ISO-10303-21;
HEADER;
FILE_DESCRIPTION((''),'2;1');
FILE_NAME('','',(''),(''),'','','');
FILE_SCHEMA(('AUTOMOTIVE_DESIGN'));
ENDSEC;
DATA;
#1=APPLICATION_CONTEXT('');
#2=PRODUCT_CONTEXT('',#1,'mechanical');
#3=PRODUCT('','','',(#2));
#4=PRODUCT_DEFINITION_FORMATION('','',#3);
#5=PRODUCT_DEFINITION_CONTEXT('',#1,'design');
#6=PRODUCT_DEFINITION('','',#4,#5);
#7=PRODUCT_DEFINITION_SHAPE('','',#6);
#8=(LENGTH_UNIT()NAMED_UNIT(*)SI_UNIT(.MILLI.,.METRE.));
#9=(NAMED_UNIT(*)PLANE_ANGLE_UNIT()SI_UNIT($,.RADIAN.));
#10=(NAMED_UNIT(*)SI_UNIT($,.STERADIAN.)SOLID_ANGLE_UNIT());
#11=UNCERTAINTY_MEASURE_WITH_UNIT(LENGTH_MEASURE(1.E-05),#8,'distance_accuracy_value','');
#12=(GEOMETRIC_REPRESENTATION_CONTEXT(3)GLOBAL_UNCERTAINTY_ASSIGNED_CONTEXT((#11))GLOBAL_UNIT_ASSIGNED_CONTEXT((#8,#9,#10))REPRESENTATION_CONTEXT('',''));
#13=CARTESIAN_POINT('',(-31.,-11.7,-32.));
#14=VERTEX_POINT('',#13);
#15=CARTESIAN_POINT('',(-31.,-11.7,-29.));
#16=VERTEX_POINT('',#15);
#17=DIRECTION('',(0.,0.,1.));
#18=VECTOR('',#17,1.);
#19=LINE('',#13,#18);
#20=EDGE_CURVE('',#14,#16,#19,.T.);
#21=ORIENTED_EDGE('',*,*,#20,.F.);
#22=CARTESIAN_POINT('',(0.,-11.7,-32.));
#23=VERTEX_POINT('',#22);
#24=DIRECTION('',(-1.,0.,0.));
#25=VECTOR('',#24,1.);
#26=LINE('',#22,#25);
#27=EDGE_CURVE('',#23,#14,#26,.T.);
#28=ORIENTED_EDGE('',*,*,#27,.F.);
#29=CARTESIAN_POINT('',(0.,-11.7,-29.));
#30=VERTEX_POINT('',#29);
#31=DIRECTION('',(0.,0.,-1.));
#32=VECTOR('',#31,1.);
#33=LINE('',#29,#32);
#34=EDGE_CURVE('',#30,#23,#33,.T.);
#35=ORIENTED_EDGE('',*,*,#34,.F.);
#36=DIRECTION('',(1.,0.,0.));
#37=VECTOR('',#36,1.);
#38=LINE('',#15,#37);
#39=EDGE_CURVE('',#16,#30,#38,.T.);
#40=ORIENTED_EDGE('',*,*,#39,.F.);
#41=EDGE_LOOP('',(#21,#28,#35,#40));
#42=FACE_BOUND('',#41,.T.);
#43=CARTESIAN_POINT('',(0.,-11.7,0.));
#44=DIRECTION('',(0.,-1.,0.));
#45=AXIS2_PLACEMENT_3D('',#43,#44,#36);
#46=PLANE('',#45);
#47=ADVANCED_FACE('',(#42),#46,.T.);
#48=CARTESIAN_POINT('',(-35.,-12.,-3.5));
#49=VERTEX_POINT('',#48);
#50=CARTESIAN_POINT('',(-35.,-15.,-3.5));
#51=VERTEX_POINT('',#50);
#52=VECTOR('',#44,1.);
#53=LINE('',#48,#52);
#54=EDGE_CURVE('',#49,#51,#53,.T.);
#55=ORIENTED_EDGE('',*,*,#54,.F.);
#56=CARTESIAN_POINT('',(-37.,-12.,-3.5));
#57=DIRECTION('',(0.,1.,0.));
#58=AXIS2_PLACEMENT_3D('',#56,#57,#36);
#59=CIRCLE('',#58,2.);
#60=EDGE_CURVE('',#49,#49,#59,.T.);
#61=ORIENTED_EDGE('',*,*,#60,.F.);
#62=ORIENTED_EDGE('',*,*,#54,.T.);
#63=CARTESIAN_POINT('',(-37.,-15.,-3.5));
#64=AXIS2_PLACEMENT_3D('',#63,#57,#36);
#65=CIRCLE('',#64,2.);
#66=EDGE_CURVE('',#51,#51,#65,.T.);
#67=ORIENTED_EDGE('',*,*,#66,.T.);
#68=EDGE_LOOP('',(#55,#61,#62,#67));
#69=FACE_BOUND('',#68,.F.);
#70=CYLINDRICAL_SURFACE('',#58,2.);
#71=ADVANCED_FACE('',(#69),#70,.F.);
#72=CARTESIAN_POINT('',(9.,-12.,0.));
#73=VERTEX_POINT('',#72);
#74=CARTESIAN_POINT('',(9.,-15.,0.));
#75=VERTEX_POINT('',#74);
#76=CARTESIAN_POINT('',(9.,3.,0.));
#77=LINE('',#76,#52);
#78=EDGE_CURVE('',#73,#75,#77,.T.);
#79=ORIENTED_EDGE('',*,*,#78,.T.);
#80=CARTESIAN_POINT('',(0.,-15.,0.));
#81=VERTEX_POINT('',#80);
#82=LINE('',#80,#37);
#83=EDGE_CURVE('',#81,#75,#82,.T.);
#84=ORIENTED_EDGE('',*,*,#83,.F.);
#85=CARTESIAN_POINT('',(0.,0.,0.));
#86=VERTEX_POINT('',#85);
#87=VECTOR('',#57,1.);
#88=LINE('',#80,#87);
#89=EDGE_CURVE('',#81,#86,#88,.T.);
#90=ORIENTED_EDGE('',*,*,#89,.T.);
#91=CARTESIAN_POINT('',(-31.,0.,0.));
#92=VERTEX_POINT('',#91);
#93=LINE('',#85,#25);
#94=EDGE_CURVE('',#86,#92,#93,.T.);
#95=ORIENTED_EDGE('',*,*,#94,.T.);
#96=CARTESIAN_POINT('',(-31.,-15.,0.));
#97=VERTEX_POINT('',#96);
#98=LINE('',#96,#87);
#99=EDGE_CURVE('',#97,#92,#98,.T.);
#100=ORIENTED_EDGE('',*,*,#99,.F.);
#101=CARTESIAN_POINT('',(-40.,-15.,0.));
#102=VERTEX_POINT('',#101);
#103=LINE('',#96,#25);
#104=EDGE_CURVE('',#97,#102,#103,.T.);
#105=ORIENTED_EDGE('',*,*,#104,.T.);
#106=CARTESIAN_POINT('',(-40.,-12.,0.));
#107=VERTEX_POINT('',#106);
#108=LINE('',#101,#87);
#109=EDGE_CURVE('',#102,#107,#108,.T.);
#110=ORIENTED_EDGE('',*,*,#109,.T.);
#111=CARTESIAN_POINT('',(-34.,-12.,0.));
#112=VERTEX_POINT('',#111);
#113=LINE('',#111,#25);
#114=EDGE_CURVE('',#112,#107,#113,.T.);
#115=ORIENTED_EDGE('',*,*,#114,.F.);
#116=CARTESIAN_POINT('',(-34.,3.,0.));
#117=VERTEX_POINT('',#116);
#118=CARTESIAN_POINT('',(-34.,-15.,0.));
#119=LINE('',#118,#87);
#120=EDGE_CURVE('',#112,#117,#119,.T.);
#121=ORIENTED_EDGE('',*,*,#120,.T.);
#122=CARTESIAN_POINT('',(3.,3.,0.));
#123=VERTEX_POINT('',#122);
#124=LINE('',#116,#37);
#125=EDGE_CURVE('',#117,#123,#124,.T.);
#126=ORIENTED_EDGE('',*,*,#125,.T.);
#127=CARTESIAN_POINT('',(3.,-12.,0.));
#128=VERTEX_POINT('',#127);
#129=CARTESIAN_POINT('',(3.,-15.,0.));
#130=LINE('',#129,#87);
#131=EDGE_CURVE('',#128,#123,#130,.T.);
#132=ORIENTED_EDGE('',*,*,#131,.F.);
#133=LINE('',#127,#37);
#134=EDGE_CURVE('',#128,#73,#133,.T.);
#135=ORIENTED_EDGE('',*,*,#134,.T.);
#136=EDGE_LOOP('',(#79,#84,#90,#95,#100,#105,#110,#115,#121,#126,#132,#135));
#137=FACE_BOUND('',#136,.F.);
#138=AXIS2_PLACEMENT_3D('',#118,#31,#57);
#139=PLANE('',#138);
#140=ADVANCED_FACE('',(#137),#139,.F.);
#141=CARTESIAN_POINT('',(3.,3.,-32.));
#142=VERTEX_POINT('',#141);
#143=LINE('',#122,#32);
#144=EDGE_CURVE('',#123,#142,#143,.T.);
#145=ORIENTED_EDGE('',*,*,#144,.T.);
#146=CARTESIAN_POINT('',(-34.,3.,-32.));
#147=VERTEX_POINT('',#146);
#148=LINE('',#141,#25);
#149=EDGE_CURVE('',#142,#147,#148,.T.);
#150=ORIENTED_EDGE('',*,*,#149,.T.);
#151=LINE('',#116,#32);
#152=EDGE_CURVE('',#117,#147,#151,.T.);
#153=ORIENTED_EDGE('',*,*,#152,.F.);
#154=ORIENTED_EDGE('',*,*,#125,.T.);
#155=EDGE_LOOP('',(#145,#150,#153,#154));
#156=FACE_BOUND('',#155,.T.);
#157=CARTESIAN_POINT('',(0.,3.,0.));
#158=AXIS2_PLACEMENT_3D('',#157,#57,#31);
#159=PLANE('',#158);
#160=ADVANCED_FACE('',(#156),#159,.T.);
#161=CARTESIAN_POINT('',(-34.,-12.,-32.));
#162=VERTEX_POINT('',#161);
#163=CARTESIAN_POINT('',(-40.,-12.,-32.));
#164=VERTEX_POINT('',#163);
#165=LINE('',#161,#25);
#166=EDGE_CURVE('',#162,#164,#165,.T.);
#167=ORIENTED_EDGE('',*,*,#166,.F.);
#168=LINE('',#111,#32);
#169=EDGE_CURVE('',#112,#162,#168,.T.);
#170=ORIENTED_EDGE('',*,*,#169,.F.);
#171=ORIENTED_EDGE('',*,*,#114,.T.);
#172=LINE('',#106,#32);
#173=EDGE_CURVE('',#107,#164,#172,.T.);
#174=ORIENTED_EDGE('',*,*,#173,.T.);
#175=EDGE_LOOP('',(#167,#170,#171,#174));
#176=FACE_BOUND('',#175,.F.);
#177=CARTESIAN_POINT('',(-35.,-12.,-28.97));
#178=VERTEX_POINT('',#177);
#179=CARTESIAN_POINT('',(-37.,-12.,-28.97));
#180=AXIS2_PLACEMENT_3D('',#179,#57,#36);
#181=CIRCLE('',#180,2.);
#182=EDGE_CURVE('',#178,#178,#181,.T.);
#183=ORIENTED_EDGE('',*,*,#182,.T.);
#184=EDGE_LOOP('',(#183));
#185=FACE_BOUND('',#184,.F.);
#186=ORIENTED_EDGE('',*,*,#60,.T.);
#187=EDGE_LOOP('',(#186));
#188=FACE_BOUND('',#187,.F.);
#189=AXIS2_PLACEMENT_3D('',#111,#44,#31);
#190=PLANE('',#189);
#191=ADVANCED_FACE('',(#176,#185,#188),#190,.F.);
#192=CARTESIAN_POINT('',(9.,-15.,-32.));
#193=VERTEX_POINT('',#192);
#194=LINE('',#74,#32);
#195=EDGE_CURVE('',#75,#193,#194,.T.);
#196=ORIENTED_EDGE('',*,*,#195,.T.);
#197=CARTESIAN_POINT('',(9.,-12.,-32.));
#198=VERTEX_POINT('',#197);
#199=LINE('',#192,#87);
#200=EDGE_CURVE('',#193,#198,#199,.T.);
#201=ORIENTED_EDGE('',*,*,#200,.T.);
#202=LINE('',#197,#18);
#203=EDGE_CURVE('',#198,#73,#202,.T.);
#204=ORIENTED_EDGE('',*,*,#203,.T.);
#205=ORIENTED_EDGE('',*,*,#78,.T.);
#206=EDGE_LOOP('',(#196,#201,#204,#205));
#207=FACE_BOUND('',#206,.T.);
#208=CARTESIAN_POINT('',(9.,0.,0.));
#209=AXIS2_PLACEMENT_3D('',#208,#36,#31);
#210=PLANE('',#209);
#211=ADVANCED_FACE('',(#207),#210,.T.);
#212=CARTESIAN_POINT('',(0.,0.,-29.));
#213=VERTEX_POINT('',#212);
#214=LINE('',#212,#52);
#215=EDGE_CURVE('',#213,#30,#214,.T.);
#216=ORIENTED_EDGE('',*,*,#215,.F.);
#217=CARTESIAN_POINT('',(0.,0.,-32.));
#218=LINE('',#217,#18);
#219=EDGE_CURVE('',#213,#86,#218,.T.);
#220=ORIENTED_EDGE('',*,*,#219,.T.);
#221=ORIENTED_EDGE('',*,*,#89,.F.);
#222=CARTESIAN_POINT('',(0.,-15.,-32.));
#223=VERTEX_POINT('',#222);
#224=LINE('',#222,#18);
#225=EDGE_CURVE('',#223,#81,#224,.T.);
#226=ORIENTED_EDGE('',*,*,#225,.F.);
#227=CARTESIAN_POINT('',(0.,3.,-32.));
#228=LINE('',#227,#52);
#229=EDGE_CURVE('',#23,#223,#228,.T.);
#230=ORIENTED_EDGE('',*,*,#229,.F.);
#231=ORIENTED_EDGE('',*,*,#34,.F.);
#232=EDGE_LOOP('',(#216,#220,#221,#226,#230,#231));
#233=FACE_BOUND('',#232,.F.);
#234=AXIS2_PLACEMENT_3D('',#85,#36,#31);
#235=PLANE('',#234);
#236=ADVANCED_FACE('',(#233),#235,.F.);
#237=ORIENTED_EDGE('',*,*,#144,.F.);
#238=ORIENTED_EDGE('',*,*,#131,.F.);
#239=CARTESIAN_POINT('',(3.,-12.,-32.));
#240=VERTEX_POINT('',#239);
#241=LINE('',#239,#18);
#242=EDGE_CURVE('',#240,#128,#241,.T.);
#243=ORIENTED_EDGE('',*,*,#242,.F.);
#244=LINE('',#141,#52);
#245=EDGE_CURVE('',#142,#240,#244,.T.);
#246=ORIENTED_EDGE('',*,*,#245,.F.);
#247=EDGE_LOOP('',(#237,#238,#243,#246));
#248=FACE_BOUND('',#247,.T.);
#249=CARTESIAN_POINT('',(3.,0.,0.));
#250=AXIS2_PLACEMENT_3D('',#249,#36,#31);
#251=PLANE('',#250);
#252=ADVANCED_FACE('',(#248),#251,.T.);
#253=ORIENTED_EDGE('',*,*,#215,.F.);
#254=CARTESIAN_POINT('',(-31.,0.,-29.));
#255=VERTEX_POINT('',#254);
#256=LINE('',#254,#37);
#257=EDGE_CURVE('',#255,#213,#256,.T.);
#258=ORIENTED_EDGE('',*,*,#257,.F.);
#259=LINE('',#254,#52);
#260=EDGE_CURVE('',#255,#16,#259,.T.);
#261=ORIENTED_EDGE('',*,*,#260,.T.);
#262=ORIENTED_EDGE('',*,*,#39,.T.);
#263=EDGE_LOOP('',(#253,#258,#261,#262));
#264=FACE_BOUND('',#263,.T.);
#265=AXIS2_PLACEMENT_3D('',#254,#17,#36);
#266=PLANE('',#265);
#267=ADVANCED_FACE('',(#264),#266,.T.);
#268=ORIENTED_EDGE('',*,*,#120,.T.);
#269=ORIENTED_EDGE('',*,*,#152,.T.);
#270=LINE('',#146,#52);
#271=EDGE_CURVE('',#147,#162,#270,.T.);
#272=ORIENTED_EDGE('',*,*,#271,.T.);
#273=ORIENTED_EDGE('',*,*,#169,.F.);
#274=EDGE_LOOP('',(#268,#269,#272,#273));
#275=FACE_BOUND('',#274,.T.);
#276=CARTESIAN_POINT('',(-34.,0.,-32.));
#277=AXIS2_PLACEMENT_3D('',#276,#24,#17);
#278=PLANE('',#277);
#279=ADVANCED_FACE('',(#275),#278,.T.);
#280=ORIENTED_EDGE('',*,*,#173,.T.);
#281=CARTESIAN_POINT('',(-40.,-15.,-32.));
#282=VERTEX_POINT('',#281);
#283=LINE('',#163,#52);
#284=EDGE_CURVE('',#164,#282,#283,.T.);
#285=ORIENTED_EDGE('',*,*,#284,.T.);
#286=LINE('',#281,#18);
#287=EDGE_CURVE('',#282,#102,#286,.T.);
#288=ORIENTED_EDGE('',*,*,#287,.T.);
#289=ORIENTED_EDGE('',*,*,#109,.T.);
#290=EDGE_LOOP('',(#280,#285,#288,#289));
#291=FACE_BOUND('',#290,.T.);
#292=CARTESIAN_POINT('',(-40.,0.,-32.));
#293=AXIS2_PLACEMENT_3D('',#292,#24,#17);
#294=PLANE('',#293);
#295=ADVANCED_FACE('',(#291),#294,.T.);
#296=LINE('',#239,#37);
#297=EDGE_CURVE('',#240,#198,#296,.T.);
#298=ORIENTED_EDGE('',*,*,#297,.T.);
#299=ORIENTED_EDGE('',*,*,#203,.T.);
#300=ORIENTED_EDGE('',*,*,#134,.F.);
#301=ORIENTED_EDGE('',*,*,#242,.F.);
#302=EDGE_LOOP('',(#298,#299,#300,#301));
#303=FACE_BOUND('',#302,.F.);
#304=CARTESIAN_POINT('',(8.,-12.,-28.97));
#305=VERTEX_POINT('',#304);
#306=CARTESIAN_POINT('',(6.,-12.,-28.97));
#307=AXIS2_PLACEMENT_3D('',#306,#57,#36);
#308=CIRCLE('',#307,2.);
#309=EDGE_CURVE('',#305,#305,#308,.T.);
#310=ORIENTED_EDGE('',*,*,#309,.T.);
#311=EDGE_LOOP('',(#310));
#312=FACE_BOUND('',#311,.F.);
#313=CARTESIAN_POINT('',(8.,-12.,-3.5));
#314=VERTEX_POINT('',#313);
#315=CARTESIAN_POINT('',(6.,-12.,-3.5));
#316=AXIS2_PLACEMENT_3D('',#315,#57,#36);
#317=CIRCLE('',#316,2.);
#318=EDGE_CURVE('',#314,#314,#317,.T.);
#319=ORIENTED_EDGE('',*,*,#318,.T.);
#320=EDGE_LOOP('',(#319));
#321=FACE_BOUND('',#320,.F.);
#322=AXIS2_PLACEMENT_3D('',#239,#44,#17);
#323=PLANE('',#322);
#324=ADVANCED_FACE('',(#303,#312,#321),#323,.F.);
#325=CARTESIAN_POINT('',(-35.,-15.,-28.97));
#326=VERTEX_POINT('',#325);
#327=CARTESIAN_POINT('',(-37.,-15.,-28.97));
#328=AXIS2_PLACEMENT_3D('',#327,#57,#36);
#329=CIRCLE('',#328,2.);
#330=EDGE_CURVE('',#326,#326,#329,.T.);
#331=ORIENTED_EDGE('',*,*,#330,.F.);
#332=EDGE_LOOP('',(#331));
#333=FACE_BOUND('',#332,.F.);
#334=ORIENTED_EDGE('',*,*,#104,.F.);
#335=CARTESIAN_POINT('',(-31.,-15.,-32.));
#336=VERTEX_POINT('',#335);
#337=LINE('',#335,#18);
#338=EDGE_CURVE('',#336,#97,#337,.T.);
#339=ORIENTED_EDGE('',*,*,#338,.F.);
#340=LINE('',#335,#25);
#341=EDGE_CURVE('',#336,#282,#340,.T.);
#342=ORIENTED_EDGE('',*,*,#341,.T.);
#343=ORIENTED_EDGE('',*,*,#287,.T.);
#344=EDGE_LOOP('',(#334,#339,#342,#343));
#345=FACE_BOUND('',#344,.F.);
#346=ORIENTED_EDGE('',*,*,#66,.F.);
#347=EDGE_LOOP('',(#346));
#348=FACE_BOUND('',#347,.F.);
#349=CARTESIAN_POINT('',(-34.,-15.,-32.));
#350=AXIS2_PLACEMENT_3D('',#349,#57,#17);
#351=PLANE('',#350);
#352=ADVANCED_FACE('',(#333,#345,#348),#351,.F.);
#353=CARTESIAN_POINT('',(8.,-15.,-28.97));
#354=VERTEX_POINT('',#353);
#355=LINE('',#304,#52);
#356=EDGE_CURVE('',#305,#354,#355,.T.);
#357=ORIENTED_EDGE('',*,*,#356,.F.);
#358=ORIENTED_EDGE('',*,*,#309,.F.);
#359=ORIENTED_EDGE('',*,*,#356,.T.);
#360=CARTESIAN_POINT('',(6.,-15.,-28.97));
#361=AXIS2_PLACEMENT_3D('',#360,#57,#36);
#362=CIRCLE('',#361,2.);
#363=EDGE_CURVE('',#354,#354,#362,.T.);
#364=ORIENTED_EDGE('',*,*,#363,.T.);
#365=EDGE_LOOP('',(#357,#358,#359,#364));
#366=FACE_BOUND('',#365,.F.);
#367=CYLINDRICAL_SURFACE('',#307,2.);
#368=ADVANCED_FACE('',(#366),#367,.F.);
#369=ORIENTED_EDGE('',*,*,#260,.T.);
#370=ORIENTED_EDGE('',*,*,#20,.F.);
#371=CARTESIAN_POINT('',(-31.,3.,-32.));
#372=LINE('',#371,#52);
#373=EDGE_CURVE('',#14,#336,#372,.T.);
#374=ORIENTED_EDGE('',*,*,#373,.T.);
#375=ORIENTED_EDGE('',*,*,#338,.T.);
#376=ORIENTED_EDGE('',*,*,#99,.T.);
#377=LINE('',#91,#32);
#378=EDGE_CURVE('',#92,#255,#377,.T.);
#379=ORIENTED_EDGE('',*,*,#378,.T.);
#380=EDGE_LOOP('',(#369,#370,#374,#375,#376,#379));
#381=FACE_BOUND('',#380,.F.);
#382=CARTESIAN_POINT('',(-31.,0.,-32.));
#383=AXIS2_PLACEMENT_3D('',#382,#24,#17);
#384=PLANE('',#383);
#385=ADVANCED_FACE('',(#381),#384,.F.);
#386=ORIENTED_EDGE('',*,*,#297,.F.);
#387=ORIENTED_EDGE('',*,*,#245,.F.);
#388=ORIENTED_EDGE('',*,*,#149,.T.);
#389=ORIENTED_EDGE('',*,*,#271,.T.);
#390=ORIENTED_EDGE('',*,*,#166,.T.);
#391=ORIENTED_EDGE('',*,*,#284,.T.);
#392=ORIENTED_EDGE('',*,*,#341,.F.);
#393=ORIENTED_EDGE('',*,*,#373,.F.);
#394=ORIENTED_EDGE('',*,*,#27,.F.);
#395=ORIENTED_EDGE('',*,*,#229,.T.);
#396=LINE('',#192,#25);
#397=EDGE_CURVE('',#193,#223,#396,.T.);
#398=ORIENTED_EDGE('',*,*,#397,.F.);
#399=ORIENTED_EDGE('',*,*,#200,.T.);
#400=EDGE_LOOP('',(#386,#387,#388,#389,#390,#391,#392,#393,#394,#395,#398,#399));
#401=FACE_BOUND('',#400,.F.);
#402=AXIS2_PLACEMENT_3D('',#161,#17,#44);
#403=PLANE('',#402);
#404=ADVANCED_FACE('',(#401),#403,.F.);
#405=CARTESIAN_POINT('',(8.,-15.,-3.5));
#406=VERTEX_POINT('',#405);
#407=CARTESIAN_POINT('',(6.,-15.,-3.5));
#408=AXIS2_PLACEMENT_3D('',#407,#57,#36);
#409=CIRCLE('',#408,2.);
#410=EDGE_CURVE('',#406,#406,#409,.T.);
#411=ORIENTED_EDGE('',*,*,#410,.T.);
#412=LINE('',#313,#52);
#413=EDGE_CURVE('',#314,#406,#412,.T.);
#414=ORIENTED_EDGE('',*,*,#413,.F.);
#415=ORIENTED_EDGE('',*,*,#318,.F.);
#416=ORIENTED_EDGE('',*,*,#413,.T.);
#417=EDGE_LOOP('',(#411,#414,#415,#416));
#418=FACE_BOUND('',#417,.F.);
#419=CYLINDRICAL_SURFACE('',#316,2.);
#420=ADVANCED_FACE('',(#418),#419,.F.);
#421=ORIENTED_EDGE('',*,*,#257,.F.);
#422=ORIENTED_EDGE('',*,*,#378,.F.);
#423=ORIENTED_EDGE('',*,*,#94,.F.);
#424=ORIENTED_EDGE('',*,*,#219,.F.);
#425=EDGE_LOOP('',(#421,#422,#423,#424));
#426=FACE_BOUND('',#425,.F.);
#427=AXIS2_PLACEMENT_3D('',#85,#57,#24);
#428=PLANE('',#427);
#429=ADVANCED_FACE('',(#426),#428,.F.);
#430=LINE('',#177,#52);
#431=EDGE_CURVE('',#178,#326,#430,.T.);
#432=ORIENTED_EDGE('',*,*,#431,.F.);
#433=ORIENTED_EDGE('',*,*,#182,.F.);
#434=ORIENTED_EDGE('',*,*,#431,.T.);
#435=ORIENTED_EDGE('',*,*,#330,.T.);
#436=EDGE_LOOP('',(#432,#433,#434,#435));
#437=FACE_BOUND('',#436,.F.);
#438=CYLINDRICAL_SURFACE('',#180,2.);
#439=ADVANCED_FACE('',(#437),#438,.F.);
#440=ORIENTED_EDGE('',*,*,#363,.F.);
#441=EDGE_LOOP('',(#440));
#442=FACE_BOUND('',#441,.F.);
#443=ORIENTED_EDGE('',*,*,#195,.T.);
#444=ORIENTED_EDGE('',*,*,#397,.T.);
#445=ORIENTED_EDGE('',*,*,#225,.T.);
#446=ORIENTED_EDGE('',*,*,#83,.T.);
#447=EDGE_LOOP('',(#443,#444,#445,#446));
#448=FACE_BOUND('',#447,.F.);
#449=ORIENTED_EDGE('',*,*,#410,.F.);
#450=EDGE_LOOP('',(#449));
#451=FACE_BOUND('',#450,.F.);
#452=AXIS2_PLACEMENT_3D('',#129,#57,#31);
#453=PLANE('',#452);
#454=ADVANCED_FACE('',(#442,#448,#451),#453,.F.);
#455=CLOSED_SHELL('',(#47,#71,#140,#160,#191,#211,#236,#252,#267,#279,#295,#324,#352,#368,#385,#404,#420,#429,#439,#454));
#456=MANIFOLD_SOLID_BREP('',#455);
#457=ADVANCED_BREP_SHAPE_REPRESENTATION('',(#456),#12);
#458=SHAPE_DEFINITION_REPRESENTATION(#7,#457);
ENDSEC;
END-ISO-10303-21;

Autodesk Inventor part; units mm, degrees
ref_plane "YZ Plane" through (0, 0, 0) normal (1, 0, 0) x (0, 1, 0)
ref_plane "XZ Plane" through (0, 0, 0) normal (0, 1, 0) x (-1, 0, 0)
ref_plane "XY Plane" through (0, 0, 0) normal (0, 0, 1) x (1, 0, 0)
sketch "Sketch1" plane through (0, 0, 0) normal (0, 1, 0) x (-1, 0, 0)
  line L0 (0, 0) -> (31, 0)
  line L1 (31, 0) -> (31, -32)
  line L2 (31, -32) -> (0, -32)
  line L3 (0, -32) -> (0, 0)
  dimension "d0" = 31
  dimension "d1" = 32
extrude "Extrusion1" add sketch "Sketch1" along normal blind 3
sketch "Sketch2" plane through (-31, 0, -32) normal (-1, 0, 0) x (0, 0, 1)
  line L0 (32, 3) -> (0, 3)
  line L1 (0, 3) -> (0, -15)
  line L2 (0, -15) -> (32, -15)
  line L3 (32, -15) -> (32, 3)
  point P0 (32, 0)
  dimension "d4" = 32
  dimension "d5" = 18
extrude "Extrusion2" add sketch "Sketch2" along normal blind 3
sketch "Sketch3" plane through (0, 0, 0) normal (1, 0, 0) x (0, 0, -1)
  line L0 (0, 3) -> (32, 3)
  line L1 (32, 3) -> (32, -15)
  line L2 (32, -15) -> (0, -15)
  line L3 (0, -15) -> (0, 3)
  point P0 (0, 0)
  dimension "d8" = 32
  dimension "d9" = 18
extrude "Extrusion3" add sketch "Sketch3" along normal blind 3
sketch "Sketch4" plane through (3, 0, 0) normal (1, 0, 0) x (0, 0, -1)
  line L0 (0, 3) -> (0, -15) projected
  line L1 (0, -15) -> (32, -15)
  line L2 (32, -15) -> (32, -12)
  line L3 (32, -12) -> (0, -12)
  line L4 (0, -12) -> (0, -15)
  point P0 (0, 0)
  dimension "d12" = 32
  dimension "d13" = 3
extrude "Extrusion4" add sketch "Sketch4" along normal blind 6
sketch "Sketch5" plane through (-34, 0, -32) normal (-1, 0, 0) x (0, 0, 1)
  line L0 (0, -15) -> (32, -15) projected
  line L1 (0, -15) -> (32, -15)
  line L2 (32, -15) -> (32, -12)
  line L3 (32, -12) -> (0, -12)
  line L4 (0, -12) -> (0, -15)
  point P0 (32, 0)
  dimension "d16" = 32
  dimension "d17" = 3
extrude "Extrusion5" add sketch "Sketch5" along normal blind 6
sketch "Sketch6" plane through (-34, -12, 0) normal (0, 1, 0) x (1, 0, 0)
  circle A0 centre (40, 28.97) radius 2
  circle A1 centre (40, 3.5) radius 2
  circle A2 centre (-3, 28.97) radius 2
  circle A3 centre (-3, 3.5) radius 2
  line L0 (37, 0) -> (43, 0) projected
  line L1 (0, 0) -> (-6, 0) projected
  line L2 (43, 32) -> (43, 0) projected
  line L3 (-6, 0) -> (-6, 32) projected
  point P0 (34, 0)
  dimension "d20" = 4
  dimension "d21" = 4
  dimension "d22" = 4
  dimension "d23" = 4
  dimension "d24" = 25.47
  dimension "d25" = 25.47
  dimension "d26" = 3.5
  dimension "d27" = 3.5
  dimension "d28" = 3
  dimension "d29" = 3
  dimension "d30" = 3
extrude "Extrusion6" cut sketch "Sketch6" against normal blind 6
sketch "Sketch7" plane through (0, 0, 0) normal (0, -1, 0) x (1, 0, 0)
  line L0 (0, -32) -> (9, -32) projected
  line L1 (-31, -32) -> (-31, 0) projected
  line L2 (0, -32) -> (-31, -32)
  line L3 (-31, -32) -> (-31, -29)
  line L4 (-31, -29) -> (0, -29)
  line L5 (0, -29) -> (0, -32)
  point P0 (0, 0)
  dimension "d33" = 3
extrude "Extrusion7" add sketch "Sketch7" along normal blind 11.7
properties part number "AprieteEthernet"
